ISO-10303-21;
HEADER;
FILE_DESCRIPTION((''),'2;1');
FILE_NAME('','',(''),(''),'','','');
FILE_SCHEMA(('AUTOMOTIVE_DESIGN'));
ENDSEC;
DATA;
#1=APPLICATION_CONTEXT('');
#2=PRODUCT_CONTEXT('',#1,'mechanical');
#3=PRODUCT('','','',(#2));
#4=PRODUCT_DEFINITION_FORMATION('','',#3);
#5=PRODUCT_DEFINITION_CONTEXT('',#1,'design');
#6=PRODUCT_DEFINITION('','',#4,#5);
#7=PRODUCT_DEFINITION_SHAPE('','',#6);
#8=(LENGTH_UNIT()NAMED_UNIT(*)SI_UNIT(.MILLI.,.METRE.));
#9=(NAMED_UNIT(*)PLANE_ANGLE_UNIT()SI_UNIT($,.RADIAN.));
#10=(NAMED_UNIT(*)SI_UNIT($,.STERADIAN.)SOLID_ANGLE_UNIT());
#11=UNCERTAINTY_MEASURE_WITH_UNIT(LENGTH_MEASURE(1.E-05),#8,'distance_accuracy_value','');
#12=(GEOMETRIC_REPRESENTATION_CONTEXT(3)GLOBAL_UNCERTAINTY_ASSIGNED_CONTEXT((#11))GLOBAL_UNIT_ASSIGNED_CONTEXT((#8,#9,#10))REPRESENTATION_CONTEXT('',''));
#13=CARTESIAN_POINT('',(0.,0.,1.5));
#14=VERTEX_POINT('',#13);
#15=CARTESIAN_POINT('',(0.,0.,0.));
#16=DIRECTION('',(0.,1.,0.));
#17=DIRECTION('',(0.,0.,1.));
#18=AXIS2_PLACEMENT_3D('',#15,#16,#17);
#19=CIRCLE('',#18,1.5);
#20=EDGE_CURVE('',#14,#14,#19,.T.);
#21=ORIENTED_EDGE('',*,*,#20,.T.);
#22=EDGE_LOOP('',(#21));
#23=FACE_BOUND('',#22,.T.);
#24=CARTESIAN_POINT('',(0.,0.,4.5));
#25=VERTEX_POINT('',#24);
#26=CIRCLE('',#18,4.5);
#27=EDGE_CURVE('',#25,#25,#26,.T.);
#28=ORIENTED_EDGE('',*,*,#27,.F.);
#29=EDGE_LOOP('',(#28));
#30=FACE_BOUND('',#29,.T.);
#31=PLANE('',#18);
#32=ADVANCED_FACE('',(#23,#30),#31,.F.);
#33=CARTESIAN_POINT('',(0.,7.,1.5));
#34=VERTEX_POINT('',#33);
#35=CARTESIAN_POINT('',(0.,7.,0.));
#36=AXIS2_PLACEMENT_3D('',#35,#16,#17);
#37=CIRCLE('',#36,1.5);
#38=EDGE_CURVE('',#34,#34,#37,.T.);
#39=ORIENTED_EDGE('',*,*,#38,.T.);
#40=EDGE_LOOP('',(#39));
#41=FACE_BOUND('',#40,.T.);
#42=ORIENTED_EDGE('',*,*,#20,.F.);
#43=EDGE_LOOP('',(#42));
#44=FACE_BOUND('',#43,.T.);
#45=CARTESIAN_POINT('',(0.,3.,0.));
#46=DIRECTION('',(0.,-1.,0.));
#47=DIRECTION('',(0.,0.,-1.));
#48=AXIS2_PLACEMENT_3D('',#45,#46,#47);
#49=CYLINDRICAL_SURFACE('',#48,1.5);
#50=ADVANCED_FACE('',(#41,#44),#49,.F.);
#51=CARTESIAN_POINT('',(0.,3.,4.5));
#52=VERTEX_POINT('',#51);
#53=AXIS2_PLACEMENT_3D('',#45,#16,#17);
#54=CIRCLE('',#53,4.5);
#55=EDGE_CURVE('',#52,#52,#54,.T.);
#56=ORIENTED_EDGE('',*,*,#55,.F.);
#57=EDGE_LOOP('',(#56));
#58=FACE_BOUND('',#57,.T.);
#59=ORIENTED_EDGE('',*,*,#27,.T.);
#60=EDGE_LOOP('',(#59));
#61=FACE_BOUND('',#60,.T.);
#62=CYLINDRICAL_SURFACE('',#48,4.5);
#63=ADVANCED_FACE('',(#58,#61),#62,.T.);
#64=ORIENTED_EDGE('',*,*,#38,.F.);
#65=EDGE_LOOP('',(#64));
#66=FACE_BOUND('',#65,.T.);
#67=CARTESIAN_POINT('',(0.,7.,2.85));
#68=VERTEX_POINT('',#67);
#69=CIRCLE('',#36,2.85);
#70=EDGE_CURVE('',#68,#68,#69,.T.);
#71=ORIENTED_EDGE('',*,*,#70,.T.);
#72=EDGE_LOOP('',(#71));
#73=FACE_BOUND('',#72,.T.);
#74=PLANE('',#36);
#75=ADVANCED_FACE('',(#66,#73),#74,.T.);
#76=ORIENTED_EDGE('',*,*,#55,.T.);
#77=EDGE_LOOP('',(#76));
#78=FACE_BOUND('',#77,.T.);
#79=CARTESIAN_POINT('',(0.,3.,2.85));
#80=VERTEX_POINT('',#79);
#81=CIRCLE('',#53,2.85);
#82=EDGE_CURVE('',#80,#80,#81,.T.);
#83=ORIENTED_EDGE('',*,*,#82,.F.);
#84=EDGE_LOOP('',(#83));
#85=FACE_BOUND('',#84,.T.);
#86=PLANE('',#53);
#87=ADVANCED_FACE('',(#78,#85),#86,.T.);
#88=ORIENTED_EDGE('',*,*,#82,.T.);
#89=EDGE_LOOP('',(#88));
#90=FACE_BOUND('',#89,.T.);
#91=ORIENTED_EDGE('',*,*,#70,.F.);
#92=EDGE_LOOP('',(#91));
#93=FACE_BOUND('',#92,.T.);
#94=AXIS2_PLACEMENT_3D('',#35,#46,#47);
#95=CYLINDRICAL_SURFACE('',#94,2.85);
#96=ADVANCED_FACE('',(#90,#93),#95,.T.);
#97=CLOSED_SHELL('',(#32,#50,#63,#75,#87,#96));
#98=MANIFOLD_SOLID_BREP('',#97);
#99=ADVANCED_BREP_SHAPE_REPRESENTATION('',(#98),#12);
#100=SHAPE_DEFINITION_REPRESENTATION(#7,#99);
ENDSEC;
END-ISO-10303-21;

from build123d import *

# Parameters (mm, degrees)
SKETCH1_R           = 4.5
SKETCH1_R_2         = 1.5
BOSS_EXTRUDE1_DEPTH = 3
SKETCH2_R           = 2.85
SKETCH2_R_2         = 1.5
BOSS_EXTRUDE2_DEPTH = 4


with BuildPart() as part:
    # Sketch1 → Boss-Extrude1 (new body)
    with BuildSketch(Plane(origin=(0, 0, 0), x_dir=(1, 0, 0), z_dir=(0, 1, 0))):
        Circle(SKETCH1_R)
        Circle(SKETCH1_R_2, mode=Mode.SUBTRACT)
    extrude(amount=BOSS_EXTRUDE1_DEPTH)

    # Sketch2 → Boss-Extrude2 (add)
    with BuildSketch(Plane(origin=(0, 3, 0), x_dir=(1, 0, 0), z_dir=(0, 1, 0))):
        Circle(SKETCH2_R)
        Circle(SKETCH2_R_2, mode=Mode.SUBTRACT)
    extrude(amount=BOSS_EXTRUDE2_DEPTH)


solid = part.part
